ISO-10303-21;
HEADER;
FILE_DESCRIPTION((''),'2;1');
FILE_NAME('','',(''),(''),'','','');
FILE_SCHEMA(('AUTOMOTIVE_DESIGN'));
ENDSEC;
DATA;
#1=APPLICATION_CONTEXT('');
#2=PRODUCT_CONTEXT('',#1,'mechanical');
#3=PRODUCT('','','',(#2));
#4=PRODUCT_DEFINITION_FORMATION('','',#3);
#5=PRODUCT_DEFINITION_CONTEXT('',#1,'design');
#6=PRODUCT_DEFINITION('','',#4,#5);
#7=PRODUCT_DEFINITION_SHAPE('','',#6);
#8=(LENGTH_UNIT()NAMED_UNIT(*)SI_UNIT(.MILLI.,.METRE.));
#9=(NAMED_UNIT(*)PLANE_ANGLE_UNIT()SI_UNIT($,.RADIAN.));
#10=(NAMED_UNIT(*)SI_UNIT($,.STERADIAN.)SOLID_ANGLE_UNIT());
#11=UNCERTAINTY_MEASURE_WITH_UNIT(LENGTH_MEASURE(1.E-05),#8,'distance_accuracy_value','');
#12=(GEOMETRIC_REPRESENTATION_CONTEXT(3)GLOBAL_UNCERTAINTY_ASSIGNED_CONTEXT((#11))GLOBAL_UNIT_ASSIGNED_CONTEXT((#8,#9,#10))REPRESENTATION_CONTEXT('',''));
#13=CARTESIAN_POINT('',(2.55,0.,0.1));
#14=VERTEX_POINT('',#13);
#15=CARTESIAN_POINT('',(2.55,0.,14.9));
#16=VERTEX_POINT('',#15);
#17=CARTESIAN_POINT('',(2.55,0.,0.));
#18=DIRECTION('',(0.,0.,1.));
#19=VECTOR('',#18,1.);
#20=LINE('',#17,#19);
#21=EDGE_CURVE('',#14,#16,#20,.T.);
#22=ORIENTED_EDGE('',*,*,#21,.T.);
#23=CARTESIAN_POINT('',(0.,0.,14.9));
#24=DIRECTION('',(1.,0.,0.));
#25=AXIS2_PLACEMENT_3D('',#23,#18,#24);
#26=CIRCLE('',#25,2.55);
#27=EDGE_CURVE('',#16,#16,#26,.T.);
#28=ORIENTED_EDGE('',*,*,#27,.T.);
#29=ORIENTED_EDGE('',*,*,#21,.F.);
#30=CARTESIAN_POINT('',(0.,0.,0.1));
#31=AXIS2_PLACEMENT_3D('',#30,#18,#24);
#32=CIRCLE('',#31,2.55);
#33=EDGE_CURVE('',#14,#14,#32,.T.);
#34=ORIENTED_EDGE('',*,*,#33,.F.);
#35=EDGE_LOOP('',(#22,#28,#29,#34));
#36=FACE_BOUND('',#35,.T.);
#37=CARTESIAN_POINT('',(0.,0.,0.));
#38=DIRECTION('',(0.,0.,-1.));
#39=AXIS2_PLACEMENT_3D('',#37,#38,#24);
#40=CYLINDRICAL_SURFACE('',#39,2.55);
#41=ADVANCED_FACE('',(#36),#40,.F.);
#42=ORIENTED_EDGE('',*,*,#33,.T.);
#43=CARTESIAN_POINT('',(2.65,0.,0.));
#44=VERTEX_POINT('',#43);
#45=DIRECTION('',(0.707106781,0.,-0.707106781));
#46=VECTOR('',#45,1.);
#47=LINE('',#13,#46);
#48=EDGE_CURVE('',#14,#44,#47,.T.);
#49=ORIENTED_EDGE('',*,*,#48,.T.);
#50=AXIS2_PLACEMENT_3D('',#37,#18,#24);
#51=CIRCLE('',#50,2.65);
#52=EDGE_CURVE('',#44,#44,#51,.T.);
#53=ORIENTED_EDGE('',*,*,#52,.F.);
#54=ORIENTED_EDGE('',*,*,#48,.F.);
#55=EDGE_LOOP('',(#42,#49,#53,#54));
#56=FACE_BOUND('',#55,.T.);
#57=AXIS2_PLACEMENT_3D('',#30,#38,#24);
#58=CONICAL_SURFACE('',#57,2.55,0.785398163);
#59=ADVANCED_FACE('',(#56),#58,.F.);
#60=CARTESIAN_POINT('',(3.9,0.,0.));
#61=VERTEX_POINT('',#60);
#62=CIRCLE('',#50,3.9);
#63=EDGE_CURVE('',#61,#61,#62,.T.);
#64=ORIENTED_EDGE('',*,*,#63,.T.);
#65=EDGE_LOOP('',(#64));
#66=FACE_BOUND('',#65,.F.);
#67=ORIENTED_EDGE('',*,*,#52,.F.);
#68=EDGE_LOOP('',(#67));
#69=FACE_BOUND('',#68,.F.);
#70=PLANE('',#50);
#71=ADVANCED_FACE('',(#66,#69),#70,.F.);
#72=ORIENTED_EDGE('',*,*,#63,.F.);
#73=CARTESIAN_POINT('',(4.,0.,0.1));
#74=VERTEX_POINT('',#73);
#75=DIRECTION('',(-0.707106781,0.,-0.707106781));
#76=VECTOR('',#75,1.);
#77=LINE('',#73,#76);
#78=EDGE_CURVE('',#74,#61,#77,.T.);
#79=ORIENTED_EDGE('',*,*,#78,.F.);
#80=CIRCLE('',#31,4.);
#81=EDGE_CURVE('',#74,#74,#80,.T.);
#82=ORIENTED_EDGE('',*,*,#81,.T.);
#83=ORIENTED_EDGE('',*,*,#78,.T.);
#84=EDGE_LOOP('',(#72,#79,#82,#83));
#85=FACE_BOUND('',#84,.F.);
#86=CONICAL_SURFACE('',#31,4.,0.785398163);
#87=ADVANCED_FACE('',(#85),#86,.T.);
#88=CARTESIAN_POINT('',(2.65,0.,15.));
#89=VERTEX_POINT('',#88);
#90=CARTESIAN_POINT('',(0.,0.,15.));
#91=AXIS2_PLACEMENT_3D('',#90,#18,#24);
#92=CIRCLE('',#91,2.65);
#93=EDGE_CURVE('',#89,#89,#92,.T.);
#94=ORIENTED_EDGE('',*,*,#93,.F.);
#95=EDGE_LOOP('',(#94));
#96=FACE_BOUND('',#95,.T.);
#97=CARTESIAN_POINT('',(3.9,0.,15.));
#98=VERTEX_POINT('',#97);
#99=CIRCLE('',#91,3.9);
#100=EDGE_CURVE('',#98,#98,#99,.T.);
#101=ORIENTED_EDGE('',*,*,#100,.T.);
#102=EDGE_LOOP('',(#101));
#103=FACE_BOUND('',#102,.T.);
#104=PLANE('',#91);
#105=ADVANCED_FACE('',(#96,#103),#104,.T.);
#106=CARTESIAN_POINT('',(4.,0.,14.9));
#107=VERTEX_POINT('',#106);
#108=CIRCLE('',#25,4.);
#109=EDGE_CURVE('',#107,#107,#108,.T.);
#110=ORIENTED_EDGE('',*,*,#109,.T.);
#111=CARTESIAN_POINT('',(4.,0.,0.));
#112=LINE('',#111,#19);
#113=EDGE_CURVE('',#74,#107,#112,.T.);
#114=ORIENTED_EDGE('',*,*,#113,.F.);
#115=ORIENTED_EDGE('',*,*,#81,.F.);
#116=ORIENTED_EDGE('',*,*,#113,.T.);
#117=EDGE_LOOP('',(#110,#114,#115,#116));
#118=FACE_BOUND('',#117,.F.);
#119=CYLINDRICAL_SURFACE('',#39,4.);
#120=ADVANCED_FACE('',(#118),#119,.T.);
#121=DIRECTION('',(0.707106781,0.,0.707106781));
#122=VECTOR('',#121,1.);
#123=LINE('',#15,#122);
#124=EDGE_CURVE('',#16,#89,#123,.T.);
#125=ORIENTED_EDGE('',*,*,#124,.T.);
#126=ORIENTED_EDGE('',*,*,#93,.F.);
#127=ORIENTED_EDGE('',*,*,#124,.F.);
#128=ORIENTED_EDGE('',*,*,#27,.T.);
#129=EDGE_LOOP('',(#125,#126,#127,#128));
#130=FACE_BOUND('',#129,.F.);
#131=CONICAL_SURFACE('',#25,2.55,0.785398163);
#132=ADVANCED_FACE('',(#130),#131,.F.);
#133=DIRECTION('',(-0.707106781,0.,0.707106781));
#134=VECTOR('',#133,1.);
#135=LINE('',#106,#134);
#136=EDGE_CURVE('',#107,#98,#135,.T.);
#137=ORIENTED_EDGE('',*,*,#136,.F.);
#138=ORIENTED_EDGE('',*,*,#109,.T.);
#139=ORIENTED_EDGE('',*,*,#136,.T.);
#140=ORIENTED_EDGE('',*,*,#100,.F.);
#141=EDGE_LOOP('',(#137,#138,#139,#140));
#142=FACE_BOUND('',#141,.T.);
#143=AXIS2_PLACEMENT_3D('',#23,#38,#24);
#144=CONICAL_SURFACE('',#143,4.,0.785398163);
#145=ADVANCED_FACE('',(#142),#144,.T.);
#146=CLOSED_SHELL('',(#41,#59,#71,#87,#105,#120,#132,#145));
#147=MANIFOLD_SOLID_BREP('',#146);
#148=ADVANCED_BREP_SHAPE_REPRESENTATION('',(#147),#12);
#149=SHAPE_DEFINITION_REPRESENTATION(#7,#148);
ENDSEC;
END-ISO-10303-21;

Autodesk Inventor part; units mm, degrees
ref_plane "YZ Plane" through (0, 0, 0) normal (1, 0, 0) x (0, 1, 0)
ref_plane "XZ Plane" through (0, 0, 0) normal (0, 1, 0) x (-1, 0, 0)
ref_plane "XY Plane" through (0, 0, 0) normal (0, 0, 1) x (1, 0, 0)
sketch "Sketch1" plane through (0, 0, 0) normal (0, 0, 1) x (1, 0, 0)
  circle A0 centre (0, 0) radius 4
  circle A1 centre (0, 0) radius 2.55
  dimension "d0" = 8
  dimension "d1" = 5.1
extrude "Extrusion1" add sketch "Sketch1" along normal blind 15
chamfer "Chamfer1" distance 0.1 angle 45 4 edges at (-4, 0, 0) (-4, 0, 15) (-2.55, 0, 0) (-2.55, 0, 15)
properties part number "M5 Spacer 15mm" material "Aluminum 6061"
